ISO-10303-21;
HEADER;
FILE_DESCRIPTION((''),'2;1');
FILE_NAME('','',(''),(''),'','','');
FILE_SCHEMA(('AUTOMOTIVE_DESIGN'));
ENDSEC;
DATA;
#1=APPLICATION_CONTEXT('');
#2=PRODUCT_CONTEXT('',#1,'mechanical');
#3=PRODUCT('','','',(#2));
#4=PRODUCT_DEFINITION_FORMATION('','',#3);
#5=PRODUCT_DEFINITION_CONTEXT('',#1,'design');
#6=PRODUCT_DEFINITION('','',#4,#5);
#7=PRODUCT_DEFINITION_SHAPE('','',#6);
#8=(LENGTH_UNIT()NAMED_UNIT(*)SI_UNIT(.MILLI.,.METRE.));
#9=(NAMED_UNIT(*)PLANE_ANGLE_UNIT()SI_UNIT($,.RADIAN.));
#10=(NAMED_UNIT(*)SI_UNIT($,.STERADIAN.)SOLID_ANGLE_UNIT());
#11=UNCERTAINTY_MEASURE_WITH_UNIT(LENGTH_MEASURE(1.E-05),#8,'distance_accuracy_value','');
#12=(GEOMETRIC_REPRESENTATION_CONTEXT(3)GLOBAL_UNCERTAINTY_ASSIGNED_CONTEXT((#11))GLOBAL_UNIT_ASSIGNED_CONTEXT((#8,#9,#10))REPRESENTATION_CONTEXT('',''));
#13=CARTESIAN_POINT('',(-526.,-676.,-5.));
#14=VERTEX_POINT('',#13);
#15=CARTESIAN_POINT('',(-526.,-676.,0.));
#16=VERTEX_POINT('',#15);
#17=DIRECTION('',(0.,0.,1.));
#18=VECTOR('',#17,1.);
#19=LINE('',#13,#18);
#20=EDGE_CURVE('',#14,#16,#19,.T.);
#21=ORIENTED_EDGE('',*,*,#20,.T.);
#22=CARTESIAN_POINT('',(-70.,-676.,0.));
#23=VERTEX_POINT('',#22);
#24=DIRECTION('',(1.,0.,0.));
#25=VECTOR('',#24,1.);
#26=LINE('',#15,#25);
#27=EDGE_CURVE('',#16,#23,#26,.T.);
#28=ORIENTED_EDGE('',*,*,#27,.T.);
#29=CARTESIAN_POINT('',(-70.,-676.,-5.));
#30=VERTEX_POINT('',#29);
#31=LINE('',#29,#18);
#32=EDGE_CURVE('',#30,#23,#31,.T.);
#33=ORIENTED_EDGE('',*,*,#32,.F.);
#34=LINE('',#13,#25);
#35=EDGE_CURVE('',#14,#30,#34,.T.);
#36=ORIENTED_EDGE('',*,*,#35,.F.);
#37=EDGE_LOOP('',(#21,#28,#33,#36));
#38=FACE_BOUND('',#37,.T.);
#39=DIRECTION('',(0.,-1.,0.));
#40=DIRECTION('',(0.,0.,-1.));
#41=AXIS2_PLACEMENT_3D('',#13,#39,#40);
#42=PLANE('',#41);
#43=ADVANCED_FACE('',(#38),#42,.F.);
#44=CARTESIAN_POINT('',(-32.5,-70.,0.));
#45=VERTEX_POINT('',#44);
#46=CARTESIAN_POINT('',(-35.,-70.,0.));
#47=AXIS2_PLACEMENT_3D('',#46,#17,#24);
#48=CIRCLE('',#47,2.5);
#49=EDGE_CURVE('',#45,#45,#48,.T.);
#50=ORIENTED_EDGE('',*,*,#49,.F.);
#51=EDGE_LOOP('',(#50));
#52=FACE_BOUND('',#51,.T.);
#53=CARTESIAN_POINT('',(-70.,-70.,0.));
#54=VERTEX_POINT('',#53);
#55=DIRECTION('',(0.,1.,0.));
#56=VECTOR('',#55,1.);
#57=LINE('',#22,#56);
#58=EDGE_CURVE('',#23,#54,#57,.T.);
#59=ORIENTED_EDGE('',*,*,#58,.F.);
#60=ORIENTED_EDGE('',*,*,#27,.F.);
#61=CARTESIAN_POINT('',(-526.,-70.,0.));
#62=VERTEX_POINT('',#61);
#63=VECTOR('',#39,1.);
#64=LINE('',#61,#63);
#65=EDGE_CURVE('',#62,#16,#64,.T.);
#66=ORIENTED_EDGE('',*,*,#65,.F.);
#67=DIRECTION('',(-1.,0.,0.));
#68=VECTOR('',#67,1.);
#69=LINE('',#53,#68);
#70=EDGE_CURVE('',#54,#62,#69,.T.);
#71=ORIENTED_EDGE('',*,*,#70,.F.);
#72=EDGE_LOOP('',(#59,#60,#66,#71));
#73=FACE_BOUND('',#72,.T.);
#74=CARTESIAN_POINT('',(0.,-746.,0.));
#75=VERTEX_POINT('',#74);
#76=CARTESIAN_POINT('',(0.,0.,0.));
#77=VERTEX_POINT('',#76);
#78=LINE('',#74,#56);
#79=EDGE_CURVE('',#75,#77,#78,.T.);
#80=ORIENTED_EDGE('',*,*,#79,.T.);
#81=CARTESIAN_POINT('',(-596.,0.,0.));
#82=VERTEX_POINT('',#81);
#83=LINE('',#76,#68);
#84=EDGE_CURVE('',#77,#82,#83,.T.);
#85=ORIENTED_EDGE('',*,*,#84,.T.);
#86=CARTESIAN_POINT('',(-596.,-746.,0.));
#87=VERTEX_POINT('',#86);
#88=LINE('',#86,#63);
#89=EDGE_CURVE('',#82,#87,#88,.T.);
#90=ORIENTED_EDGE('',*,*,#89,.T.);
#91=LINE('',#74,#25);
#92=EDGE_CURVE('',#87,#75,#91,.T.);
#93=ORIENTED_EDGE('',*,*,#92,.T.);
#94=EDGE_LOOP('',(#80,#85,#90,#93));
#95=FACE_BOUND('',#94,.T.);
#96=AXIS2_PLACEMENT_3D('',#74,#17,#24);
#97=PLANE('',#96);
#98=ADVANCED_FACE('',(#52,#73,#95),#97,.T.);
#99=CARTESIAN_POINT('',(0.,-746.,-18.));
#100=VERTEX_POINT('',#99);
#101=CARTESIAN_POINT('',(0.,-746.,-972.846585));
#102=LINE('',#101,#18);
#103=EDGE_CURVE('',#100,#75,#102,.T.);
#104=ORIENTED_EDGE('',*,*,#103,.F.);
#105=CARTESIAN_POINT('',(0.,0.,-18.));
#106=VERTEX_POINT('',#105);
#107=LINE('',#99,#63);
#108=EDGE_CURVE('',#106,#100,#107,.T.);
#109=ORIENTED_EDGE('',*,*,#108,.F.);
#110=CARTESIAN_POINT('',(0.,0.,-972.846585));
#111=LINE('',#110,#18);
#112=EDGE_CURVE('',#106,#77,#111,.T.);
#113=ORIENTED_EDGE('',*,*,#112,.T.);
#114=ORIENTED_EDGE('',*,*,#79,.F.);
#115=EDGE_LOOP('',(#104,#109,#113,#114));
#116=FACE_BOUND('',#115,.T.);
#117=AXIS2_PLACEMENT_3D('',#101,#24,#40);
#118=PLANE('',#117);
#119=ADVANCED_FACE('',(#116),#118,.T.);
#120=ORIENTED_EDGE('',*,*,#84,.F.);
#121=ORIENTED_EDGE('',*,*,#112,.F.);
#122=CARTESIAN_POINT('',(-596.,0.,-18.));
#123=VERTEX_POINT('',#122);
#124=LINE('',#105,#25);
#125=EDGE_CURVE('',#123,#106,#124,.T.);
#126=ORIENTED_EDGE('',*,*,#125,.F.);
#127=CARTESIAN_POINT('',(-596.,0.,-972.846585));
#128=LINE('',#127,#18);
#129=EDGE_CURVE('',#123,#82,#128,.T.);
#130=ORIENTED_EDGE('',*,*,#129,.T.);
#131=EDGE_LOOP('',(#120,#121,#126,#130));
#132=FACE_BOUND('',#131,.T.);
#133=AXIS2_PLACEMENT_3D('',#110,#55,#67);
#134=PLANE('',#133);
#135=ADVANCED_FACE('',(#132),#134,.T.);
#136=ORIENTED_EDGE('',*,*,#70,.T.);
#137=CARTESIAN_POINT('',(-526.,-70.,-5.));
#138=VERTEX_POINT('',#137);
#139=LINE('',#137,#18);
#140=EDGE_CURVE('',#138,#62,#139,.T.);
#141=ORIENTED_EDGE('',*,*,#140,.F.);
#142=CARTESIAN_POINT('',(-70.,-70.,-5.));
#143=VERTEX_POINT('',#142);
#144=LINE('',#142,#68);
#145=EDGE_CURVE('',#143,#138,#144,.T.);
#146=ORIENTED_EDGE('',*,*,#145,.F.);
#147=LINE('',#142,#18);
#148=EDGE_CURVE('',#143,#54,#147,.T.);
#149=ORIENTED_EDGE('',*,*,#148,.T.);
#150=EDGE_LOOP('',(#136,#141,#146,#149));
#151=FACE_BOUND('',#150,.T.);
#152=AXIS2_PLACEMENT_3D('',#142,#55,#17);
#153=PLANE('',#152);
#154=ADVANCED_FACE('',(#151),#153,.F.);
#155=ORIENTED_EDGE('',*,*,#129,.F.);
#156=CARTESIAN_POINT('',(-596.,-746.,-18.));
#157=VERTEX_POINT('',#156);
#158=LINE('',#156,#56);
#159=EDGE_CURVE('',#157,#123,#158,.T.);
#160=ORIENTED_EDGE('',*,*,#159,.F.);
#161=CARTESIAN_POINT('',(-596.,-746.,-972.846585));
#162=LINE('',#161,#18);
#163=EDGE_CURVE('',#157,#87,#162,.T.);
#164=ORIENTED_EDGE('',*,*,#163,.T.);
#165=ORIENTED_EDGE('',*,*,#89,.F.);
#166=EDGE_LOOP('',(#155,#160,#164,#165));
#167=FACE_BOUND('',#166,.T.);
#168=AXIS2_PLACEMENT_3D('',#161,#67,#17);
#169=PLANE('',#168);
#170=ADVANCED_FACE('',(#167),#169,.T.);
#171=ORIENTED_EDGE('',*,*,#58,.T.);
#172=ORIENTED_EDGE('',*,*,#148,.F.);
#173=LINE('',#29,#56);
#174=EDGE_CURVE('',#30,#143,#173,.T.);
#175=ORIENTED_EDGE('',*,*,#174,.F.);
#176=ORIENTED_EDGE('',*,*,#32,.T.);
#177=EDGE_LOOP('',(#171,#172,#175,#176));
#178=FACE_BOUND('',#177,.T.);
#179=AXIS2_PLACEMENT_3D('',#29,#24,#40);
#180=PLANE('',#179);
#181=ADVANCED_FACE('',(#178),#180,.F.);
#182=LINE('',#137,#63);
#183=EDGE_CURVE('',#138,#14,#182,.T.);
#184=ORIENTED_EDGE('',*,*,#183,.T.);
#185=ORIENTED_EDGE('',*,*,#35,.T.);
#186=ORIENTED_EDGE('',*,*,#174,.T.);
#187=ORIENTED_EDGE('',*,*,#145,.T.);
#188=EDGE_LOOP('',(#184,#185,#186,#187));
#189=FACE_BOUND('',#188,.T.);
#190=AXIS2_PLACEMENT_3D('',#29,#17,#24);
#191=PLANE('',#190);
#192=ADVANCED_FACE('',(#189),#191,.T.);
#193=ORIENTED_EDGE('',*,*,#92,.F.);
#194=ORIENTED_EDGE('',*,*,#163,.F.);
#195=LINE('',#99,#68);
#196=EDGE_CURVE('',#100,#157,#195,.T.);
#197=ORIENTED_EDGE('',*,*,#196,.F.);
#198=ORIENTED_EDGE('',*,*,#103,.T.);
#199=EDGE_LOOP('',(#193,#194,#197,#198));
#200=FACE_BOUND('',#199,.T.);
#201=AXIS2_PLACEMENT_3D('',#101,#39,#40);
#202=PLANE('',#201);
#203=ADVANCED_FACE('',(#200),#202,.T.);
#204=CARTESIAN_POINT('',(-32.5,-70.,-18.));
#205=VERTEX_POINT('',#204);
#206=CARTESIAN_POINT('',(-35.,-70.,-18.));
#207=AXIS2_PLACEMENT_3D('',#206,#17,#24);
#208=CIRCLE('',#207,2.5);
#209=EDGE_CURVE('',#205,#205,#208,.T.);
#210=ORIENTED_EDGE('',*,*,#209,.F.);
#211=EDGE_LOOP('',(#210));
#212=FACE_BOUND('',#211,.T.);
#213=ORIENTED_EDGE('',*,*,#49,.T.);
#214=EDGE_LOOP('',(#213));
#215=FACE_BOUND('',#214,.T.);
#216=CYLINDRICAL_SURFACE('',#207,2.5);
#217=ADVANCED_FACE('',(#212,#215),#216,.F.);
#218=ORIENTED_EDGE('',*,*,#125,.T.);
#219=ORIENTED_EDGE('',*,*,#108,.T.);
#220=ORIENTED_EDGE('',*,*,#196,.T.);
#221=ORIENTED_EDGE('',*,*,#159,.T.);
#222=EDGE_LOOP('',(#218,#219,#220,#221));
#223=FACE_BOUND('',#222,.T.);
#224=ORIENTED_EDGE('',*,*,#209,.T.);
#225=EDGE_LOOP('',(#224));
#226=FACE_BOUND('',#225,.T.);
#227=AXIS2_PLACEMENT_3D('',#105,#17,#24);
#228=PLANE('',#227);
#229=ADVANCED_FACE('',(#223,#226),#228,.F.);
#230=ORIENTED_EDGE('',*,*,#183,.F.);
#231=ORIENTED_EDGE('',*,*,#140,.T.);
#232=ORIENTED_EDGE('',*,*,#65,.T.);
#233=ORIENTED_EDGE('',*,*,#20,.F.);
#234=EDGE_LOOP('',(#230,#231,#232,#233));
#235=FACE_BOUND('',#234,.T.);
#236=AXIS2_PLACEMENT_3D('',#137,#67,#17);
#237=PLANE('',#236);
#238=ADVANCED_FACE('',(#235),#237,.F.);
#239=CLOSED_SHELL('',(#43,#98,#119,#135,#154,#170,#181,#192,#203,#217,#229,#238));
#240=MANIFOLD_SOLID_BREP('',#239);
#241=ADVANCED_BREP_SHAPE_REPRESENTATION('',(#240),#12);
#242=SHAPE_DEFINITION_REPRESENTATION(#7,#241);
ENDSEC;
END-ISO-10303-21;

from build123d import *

# Parameters (mm, degrees)
SKETCH1_W          = 596
SKETCH1_H          = 746
DOOR_PART_DEPTH    = 18
SKETCH6_R          = 2.5
BASE_SINGLE_DEPTH  = 956.016230229
SKETCH7_W          = 456
SKETCH7_H          = 606
CUT_EXTRUDE1_DEPTH = 5


with BuildPart() as part:
    # Sketch1 → Door Part (new body)
    with BuildSketch(Plane.XY):
        with Locations((-298, -373)):
            Rectangle(SKETCH1_W, SKETCH1_H)
    extrude(amount=-DOOR_PART_DEPTH)

    # Sketch6 → Base Single (cut, through all)
    with BuildSketch(Plane.XY):
        with Locations((-35, -70)):
            Circle(SKETCH6_R)
    extrude(amount=-BASE_SINGLE_DEPTH, mode=Mode.SUBTRACT)

    # Sketch7 → Cut-Extrude1 (cut)
    with BuildSketch(Plane.XY):
        with Locations((-298, -373)):
            Rectangle(SKETCH7_W, SKETCH7_H)
    extrude(amount=-CUT_EXTRUDE1_DEPTH, mode=Mode.SUBTRACT)


solid = part.part
